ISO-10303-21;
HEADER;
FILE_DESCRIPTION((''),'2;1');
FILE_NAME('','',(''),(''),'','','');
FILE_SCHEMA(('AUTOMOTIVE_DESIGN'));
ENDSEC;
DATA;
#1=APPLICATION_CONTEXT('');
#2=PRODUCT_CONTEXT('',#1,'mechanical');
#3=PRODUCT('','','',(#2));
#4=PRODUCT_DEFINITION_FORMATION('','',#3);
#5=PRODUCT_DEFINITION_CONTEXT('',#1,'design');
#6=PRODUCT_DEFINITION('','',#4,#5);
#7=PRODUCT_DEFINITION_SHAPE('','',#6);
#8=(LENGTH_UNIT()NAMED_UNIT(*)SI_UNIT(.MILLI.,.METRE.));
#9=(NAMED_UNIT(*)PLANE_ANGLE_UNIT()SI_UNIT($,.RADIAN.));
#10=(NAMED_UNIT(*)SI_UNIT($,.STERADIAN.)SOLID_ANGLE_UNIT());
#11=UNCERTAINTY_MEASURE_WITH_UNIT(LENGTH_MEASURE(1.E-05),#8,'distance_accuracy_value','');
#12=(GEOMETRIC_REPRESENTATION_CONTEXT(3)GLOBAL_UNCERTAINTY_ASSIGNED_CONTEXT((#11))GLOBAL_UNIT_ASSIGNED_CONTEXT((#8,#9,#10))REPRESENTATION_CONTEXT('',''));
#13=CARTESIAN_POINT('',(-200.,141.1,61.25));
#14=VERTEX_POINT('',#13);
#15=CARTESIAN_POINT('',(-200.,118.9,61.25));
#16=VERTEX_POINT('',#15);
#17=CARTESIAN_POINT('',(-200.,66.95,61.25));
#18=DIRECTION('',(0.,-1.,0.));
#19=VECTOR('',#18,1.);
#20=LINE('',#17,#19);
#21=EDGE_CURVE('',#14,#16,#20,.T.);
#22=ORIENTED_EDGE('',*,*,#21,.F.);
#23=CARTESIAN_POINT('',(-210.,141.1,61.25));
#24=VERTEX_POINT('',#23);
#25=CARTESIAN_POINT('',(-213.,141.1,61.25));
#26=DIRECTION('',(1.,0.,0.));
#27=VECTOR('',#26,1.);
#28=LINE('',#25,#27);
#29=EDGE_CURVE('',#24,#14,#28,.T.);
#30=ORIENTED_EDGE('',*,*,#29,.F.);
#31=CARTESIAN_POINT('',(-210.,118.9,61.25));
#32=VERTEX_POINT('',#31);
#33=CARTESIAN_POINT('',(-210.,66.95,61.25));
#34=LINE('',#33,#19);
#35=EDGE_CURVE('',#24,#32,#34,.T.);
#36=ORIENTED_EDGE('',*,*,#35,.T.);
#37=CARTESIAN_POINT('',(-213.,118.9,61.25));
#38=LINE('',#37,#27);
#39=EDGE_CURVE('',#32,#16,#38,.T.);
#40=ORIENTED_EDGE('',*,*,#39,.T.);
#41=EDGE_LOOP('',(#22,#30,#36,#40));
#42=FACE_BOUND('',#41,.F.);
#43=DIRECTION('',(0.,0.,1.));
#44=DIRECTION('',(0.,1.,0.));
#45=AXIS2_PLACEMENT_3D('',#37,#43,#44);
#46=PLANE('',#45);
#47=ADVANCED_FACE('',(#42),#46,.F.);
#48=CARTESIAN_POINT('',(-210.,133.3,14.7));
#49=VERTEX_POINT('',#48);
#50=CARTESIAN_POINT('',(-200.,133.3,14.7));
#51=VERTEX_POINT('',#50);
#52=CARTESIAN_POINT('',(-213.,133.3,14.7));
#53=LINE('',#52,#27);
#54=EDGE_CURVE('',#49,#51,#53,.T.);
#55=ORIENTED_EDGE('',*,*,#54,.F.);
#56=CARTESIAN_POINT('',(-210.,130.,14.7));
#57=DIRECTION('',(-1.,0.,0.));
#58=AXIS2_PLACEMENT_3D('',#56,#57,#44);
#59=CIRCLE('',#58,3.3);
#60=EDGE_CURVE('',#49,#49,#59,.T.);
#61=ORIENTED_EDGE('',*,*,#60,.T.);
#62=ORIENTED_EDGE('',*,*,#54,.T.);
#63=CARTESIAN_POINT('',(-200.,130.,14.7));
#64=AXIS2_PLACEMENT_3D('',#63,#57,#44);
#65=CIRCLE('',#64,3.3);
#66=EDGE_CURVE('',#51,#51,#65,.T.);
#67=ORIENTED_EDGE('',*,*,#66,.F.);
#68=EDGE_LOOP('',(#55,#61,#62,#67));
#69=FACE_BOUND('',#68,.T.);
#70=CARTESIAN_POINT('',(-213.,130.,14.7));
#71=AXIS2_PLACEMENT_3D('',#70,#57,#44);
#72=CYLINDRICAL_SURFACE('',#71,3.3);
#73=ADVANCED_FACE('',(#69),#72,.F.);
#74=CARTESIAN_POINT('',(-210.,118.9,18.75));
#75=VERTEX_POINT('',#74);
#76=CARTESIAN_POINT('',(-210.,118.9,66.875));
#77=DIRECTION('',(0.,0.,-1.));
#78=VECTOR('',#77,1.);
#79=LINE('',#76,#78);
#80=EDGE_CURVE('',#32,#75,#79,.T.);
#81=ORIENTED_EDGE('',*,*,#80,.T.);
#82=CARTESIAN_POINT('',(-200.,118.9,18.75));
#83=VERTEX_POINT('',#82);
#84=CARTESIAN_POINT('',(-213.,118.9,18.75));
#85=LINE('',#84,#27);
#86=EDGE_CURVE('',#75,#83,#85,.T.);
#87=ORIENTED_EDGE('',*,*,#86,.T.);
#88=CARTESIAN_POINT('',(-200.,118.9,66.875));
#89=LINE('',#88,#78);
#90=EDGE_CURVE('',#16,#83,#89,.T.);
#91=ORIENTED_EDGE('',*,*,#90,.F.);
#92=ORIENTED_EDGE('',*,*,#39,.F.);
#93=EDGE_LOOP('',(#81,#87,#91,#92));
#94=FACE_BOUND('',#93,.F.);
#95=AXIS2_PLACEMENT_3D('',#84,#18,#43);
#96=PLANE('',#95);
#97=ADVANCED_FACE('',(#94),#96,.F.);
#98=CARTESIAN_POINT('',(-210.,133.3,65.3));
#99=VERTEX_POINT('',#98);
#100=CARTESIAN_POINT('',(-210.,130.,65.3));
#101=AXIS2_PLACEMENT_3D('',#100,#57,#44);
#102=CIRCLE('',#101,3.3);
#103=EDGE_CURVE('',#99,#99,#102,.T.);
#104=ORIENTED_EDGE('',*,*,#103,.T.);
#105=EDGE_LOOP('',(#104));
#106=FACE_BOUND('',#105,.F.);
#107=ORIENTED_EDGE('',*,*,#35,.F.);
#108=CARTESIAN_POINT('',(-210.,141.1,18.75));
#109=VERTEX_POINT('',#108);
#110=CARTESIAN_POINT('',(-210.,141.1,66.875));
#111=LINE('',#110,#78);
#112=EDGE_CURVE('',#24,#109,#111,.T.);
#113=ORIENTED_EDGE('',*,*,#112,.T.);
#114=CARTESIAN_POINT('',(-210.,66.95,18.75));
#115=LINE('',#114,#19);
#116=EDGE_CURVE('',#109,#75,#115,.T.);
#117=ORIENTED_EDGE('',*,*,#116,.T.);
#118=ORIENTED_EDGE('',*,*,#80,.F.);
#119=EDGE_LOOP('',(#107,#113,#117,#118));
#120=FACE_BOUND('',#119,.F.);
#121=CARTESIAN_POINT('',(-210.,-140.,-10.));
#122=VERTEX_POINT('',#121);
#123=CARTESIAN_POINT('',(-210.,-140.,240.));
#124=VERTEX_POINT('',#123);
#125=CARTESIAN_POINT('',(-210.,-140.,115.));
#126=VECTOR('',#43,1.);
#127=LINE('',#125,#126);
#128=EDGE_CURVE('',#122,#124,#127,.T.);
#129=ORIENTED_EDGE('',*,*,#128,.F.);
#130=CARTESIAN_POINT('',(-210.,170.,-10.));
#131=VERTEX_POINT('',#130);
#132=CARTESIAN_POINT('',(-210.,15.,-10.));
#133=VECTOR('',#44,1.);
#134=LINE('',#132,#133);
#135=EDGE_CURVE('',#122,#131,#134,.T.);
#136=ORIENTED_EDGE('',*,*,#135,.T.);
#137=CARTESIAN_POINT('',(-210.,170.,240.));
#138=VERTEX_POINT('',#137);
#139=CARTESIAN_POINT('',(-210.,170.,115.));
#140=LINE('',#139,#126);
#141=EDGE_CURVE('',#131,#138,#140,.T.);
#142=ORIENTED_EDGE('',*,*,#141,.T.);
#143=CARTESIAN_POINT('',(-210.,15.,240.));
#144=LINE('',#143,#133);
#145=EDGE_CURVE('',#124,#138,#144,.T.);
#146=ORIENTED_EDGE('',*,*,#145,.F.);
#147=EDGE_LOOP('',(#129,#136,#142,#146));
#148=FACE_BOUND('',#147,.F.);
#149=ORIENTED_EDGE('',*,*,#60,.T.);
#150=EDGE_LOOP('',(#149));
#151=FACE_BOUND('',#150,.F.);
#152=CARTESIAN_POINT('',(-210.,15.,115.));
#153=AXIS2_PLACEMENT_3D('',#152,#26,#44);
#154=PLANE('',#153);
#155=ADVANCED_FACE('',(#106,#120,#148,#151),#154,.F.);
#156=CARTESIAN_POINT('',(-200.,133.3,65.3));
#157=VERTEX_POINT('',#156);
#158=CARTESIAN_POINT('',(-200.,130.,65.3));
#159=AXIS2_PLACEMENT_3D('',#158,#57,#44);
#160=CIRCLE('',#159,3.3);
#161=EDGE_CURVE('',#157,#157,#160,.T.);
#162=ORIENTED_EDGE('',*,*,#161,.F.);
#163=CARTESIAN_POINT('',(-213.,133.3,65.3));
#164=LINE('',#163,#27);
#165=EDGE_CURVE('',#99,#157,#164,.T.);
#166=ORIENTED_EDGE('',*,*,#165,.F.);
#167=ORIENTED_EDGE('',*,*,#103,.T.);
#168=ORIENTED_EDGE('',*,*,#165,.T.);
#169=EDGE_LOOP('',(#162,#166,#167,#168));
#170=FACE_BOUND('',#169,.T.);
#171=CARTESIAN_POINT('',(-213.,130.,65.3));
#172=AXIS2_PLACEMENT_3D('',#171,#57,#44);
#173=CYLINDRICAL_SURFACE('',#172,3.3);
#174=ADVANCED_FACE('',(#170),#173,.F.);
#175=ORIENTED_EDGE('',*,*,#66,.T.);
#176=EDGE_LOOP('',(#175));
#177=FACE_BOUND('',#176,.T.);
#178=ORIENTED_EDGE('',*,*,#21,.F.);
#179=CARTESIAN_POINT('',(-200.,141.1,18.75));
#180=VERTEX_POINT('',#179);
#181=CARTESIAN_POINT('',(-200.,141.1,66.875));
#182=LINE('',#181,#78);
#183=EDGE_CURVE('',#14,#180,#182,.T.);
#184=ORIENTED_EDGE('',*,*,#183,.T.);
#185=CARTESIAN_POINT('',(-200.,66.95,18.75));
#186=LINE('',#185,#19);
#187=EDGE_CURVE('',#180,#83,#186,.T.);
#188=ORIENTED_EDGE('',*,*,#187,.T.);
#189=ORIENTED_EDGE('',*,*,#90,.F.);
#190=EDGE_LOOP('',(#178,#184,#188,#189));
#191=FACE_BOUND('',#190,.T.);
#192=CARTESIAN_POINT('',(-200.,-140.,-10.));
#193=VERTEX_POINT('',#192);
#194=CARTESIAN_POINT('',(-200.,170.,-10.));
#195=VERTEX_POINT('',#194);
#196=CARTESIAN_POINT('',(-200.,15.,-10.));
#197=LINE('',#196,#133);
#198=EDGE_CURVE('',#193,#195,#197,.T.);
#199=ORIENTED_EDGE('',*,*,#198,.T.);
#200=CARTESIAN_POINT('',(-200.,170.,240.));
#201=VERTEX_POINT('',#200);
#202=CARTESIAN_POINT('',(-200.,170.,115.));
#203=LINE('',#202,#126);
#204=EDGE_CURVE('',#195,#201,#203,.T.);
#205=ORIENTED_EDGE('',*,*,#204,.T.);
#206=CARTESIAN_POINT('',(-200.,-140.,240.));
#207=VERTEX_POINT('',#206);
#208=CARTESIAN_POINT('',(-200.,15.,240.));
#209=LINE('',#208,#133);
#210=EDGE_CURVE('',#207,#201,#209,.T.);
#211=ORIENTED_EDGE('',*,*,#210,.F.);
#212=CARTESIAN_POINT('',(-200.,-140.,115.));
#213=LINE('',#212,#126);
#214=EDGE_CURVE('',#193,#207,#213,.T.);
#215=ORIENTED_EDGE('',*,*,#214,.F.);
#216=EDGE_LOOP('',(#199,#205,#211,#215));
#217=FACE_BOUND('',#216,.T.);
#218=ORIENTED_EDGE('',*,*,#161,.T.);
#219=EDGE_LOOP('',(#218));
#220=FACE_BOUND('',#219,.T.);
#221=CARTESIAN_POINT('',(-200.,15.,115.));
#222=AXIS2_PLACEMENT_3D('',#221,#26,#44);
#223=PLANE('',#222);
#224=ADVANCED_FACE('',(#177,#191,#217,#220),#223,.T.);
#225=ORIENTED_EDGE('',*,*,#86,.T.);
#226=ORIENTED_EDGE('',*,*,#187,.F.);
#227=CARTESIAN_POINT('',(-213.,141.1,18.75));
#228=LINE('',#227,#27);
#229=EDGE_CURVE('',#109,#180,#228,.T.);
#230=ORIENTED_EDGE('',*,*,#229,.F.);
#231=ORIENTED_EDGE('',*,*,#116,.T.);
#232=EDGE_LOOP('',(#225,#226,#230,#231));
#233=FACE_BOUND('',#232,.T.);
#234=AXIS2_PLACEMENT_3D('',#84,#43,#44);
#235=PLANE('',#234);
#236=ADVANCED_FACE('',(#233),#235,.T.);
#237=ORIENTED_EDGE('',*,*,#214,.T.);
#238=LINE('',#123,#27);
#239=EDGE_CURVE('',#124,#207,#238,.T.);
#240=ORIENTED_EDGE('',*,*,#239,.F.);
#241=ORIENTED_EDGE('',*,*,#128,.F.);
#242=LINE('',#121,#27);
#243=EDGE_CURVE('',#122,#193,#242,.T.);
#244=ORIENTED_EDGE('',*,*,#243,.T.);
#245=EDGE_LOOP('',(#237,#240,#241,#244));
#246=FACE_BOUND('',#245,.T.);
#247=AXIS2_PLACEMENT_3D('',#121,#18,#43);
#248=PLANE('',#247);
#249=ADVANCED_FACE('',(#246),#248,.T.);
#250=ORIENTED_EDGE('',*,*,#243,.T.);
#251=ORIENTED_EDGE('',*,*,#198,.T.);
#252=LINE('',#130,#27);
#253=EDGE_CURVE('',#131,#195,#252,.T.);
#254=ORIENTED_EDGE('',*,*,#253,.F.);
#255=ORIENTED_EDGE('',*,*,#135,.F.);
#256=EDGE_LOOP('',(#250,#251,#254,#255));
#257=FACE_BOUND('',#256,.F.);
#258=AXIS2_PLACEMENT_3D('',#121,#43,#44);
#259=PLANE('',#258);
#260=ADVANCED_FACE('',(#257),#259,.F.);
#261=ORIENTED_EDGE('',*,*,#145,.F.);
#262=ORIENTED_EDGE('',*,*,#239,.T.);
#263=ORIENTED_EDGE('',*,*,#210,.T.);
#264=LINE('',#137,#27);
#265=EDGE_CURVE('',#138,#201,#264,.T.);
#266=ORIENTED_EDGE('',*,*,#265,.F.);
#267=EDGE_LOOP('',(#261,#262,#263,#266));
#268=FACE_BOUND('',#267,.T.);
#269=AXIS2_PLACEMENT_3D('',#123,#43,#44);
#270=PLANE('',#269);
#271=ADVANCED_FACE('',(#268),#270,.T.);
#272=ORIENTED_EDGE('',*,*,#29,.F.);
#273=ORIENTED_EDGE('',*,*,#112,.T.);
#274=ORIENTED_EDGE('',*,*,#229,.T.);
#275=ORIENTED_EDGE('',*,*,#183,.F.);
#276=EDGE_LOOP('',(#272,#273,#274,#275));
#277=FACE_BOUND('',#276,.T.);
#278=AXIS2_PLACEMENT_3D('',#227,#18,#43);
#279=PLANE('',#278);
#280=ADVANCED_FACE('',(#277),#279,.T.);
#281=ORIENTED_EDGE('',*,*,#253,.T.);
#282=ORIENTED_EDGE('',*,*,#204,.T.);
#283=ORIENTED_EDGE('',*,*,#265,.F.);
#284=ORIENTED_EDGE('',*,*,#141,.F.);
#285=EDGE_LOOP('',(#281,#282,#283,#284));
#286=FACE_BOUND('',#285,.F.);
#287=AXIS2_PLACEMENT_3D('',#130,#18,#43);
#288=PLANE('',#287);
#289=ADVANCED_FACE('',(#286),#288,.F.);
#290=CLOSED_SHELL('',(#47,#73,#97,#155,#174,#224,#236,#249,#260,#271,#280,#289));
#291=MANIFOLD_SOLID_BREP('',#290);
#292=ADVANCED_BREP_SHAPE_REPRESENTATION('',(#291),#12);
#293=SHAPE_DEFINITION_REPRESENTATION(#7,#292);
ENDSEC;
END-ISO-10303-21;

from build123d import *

# Parameters (mm, degrees)
SKETCH012_R  = 3.3
SKETCH012_W  = 22.2
SKETCH012_H  = 42.5
PAD012_DEPTH = 30
SKETCH006_W  = 310
SKETCH006_H  = 250
PAD006_DEPTH = 10


with BuildPart() as pad012:
    # Sketch012 → Pad012 (new body)
    with BuildSketch(Plane(origin=(-213, 130, 40), x_dir=(0, 1, 0), z_dir=(1, 0, 0))):
        with Locations((0, 25.3)):
            Circle(SKETCH012_R)
        with Locations((0, -25.3)):
            Circle(SKETCH012_R)
        Rectangle(SKETCH012_W, SKETCH012_H)
    extrude(amount=PAD012_DEPTH)


with BuildPart() as cut004:
    # Sketch006 → Pad006 (new body)
    with BuildSketch(Plane.YZ.offset(-210)):
        with Locations((15, 115)):
            Rectangle(SKETCH006_W, SKETCH006_H)
    extrude(amount=PAD006_DEPTH)

    # Cut004: cut Pad012
    add(pad012.part, mode=Mode.SUBTRACT)


solid = cut004.part
